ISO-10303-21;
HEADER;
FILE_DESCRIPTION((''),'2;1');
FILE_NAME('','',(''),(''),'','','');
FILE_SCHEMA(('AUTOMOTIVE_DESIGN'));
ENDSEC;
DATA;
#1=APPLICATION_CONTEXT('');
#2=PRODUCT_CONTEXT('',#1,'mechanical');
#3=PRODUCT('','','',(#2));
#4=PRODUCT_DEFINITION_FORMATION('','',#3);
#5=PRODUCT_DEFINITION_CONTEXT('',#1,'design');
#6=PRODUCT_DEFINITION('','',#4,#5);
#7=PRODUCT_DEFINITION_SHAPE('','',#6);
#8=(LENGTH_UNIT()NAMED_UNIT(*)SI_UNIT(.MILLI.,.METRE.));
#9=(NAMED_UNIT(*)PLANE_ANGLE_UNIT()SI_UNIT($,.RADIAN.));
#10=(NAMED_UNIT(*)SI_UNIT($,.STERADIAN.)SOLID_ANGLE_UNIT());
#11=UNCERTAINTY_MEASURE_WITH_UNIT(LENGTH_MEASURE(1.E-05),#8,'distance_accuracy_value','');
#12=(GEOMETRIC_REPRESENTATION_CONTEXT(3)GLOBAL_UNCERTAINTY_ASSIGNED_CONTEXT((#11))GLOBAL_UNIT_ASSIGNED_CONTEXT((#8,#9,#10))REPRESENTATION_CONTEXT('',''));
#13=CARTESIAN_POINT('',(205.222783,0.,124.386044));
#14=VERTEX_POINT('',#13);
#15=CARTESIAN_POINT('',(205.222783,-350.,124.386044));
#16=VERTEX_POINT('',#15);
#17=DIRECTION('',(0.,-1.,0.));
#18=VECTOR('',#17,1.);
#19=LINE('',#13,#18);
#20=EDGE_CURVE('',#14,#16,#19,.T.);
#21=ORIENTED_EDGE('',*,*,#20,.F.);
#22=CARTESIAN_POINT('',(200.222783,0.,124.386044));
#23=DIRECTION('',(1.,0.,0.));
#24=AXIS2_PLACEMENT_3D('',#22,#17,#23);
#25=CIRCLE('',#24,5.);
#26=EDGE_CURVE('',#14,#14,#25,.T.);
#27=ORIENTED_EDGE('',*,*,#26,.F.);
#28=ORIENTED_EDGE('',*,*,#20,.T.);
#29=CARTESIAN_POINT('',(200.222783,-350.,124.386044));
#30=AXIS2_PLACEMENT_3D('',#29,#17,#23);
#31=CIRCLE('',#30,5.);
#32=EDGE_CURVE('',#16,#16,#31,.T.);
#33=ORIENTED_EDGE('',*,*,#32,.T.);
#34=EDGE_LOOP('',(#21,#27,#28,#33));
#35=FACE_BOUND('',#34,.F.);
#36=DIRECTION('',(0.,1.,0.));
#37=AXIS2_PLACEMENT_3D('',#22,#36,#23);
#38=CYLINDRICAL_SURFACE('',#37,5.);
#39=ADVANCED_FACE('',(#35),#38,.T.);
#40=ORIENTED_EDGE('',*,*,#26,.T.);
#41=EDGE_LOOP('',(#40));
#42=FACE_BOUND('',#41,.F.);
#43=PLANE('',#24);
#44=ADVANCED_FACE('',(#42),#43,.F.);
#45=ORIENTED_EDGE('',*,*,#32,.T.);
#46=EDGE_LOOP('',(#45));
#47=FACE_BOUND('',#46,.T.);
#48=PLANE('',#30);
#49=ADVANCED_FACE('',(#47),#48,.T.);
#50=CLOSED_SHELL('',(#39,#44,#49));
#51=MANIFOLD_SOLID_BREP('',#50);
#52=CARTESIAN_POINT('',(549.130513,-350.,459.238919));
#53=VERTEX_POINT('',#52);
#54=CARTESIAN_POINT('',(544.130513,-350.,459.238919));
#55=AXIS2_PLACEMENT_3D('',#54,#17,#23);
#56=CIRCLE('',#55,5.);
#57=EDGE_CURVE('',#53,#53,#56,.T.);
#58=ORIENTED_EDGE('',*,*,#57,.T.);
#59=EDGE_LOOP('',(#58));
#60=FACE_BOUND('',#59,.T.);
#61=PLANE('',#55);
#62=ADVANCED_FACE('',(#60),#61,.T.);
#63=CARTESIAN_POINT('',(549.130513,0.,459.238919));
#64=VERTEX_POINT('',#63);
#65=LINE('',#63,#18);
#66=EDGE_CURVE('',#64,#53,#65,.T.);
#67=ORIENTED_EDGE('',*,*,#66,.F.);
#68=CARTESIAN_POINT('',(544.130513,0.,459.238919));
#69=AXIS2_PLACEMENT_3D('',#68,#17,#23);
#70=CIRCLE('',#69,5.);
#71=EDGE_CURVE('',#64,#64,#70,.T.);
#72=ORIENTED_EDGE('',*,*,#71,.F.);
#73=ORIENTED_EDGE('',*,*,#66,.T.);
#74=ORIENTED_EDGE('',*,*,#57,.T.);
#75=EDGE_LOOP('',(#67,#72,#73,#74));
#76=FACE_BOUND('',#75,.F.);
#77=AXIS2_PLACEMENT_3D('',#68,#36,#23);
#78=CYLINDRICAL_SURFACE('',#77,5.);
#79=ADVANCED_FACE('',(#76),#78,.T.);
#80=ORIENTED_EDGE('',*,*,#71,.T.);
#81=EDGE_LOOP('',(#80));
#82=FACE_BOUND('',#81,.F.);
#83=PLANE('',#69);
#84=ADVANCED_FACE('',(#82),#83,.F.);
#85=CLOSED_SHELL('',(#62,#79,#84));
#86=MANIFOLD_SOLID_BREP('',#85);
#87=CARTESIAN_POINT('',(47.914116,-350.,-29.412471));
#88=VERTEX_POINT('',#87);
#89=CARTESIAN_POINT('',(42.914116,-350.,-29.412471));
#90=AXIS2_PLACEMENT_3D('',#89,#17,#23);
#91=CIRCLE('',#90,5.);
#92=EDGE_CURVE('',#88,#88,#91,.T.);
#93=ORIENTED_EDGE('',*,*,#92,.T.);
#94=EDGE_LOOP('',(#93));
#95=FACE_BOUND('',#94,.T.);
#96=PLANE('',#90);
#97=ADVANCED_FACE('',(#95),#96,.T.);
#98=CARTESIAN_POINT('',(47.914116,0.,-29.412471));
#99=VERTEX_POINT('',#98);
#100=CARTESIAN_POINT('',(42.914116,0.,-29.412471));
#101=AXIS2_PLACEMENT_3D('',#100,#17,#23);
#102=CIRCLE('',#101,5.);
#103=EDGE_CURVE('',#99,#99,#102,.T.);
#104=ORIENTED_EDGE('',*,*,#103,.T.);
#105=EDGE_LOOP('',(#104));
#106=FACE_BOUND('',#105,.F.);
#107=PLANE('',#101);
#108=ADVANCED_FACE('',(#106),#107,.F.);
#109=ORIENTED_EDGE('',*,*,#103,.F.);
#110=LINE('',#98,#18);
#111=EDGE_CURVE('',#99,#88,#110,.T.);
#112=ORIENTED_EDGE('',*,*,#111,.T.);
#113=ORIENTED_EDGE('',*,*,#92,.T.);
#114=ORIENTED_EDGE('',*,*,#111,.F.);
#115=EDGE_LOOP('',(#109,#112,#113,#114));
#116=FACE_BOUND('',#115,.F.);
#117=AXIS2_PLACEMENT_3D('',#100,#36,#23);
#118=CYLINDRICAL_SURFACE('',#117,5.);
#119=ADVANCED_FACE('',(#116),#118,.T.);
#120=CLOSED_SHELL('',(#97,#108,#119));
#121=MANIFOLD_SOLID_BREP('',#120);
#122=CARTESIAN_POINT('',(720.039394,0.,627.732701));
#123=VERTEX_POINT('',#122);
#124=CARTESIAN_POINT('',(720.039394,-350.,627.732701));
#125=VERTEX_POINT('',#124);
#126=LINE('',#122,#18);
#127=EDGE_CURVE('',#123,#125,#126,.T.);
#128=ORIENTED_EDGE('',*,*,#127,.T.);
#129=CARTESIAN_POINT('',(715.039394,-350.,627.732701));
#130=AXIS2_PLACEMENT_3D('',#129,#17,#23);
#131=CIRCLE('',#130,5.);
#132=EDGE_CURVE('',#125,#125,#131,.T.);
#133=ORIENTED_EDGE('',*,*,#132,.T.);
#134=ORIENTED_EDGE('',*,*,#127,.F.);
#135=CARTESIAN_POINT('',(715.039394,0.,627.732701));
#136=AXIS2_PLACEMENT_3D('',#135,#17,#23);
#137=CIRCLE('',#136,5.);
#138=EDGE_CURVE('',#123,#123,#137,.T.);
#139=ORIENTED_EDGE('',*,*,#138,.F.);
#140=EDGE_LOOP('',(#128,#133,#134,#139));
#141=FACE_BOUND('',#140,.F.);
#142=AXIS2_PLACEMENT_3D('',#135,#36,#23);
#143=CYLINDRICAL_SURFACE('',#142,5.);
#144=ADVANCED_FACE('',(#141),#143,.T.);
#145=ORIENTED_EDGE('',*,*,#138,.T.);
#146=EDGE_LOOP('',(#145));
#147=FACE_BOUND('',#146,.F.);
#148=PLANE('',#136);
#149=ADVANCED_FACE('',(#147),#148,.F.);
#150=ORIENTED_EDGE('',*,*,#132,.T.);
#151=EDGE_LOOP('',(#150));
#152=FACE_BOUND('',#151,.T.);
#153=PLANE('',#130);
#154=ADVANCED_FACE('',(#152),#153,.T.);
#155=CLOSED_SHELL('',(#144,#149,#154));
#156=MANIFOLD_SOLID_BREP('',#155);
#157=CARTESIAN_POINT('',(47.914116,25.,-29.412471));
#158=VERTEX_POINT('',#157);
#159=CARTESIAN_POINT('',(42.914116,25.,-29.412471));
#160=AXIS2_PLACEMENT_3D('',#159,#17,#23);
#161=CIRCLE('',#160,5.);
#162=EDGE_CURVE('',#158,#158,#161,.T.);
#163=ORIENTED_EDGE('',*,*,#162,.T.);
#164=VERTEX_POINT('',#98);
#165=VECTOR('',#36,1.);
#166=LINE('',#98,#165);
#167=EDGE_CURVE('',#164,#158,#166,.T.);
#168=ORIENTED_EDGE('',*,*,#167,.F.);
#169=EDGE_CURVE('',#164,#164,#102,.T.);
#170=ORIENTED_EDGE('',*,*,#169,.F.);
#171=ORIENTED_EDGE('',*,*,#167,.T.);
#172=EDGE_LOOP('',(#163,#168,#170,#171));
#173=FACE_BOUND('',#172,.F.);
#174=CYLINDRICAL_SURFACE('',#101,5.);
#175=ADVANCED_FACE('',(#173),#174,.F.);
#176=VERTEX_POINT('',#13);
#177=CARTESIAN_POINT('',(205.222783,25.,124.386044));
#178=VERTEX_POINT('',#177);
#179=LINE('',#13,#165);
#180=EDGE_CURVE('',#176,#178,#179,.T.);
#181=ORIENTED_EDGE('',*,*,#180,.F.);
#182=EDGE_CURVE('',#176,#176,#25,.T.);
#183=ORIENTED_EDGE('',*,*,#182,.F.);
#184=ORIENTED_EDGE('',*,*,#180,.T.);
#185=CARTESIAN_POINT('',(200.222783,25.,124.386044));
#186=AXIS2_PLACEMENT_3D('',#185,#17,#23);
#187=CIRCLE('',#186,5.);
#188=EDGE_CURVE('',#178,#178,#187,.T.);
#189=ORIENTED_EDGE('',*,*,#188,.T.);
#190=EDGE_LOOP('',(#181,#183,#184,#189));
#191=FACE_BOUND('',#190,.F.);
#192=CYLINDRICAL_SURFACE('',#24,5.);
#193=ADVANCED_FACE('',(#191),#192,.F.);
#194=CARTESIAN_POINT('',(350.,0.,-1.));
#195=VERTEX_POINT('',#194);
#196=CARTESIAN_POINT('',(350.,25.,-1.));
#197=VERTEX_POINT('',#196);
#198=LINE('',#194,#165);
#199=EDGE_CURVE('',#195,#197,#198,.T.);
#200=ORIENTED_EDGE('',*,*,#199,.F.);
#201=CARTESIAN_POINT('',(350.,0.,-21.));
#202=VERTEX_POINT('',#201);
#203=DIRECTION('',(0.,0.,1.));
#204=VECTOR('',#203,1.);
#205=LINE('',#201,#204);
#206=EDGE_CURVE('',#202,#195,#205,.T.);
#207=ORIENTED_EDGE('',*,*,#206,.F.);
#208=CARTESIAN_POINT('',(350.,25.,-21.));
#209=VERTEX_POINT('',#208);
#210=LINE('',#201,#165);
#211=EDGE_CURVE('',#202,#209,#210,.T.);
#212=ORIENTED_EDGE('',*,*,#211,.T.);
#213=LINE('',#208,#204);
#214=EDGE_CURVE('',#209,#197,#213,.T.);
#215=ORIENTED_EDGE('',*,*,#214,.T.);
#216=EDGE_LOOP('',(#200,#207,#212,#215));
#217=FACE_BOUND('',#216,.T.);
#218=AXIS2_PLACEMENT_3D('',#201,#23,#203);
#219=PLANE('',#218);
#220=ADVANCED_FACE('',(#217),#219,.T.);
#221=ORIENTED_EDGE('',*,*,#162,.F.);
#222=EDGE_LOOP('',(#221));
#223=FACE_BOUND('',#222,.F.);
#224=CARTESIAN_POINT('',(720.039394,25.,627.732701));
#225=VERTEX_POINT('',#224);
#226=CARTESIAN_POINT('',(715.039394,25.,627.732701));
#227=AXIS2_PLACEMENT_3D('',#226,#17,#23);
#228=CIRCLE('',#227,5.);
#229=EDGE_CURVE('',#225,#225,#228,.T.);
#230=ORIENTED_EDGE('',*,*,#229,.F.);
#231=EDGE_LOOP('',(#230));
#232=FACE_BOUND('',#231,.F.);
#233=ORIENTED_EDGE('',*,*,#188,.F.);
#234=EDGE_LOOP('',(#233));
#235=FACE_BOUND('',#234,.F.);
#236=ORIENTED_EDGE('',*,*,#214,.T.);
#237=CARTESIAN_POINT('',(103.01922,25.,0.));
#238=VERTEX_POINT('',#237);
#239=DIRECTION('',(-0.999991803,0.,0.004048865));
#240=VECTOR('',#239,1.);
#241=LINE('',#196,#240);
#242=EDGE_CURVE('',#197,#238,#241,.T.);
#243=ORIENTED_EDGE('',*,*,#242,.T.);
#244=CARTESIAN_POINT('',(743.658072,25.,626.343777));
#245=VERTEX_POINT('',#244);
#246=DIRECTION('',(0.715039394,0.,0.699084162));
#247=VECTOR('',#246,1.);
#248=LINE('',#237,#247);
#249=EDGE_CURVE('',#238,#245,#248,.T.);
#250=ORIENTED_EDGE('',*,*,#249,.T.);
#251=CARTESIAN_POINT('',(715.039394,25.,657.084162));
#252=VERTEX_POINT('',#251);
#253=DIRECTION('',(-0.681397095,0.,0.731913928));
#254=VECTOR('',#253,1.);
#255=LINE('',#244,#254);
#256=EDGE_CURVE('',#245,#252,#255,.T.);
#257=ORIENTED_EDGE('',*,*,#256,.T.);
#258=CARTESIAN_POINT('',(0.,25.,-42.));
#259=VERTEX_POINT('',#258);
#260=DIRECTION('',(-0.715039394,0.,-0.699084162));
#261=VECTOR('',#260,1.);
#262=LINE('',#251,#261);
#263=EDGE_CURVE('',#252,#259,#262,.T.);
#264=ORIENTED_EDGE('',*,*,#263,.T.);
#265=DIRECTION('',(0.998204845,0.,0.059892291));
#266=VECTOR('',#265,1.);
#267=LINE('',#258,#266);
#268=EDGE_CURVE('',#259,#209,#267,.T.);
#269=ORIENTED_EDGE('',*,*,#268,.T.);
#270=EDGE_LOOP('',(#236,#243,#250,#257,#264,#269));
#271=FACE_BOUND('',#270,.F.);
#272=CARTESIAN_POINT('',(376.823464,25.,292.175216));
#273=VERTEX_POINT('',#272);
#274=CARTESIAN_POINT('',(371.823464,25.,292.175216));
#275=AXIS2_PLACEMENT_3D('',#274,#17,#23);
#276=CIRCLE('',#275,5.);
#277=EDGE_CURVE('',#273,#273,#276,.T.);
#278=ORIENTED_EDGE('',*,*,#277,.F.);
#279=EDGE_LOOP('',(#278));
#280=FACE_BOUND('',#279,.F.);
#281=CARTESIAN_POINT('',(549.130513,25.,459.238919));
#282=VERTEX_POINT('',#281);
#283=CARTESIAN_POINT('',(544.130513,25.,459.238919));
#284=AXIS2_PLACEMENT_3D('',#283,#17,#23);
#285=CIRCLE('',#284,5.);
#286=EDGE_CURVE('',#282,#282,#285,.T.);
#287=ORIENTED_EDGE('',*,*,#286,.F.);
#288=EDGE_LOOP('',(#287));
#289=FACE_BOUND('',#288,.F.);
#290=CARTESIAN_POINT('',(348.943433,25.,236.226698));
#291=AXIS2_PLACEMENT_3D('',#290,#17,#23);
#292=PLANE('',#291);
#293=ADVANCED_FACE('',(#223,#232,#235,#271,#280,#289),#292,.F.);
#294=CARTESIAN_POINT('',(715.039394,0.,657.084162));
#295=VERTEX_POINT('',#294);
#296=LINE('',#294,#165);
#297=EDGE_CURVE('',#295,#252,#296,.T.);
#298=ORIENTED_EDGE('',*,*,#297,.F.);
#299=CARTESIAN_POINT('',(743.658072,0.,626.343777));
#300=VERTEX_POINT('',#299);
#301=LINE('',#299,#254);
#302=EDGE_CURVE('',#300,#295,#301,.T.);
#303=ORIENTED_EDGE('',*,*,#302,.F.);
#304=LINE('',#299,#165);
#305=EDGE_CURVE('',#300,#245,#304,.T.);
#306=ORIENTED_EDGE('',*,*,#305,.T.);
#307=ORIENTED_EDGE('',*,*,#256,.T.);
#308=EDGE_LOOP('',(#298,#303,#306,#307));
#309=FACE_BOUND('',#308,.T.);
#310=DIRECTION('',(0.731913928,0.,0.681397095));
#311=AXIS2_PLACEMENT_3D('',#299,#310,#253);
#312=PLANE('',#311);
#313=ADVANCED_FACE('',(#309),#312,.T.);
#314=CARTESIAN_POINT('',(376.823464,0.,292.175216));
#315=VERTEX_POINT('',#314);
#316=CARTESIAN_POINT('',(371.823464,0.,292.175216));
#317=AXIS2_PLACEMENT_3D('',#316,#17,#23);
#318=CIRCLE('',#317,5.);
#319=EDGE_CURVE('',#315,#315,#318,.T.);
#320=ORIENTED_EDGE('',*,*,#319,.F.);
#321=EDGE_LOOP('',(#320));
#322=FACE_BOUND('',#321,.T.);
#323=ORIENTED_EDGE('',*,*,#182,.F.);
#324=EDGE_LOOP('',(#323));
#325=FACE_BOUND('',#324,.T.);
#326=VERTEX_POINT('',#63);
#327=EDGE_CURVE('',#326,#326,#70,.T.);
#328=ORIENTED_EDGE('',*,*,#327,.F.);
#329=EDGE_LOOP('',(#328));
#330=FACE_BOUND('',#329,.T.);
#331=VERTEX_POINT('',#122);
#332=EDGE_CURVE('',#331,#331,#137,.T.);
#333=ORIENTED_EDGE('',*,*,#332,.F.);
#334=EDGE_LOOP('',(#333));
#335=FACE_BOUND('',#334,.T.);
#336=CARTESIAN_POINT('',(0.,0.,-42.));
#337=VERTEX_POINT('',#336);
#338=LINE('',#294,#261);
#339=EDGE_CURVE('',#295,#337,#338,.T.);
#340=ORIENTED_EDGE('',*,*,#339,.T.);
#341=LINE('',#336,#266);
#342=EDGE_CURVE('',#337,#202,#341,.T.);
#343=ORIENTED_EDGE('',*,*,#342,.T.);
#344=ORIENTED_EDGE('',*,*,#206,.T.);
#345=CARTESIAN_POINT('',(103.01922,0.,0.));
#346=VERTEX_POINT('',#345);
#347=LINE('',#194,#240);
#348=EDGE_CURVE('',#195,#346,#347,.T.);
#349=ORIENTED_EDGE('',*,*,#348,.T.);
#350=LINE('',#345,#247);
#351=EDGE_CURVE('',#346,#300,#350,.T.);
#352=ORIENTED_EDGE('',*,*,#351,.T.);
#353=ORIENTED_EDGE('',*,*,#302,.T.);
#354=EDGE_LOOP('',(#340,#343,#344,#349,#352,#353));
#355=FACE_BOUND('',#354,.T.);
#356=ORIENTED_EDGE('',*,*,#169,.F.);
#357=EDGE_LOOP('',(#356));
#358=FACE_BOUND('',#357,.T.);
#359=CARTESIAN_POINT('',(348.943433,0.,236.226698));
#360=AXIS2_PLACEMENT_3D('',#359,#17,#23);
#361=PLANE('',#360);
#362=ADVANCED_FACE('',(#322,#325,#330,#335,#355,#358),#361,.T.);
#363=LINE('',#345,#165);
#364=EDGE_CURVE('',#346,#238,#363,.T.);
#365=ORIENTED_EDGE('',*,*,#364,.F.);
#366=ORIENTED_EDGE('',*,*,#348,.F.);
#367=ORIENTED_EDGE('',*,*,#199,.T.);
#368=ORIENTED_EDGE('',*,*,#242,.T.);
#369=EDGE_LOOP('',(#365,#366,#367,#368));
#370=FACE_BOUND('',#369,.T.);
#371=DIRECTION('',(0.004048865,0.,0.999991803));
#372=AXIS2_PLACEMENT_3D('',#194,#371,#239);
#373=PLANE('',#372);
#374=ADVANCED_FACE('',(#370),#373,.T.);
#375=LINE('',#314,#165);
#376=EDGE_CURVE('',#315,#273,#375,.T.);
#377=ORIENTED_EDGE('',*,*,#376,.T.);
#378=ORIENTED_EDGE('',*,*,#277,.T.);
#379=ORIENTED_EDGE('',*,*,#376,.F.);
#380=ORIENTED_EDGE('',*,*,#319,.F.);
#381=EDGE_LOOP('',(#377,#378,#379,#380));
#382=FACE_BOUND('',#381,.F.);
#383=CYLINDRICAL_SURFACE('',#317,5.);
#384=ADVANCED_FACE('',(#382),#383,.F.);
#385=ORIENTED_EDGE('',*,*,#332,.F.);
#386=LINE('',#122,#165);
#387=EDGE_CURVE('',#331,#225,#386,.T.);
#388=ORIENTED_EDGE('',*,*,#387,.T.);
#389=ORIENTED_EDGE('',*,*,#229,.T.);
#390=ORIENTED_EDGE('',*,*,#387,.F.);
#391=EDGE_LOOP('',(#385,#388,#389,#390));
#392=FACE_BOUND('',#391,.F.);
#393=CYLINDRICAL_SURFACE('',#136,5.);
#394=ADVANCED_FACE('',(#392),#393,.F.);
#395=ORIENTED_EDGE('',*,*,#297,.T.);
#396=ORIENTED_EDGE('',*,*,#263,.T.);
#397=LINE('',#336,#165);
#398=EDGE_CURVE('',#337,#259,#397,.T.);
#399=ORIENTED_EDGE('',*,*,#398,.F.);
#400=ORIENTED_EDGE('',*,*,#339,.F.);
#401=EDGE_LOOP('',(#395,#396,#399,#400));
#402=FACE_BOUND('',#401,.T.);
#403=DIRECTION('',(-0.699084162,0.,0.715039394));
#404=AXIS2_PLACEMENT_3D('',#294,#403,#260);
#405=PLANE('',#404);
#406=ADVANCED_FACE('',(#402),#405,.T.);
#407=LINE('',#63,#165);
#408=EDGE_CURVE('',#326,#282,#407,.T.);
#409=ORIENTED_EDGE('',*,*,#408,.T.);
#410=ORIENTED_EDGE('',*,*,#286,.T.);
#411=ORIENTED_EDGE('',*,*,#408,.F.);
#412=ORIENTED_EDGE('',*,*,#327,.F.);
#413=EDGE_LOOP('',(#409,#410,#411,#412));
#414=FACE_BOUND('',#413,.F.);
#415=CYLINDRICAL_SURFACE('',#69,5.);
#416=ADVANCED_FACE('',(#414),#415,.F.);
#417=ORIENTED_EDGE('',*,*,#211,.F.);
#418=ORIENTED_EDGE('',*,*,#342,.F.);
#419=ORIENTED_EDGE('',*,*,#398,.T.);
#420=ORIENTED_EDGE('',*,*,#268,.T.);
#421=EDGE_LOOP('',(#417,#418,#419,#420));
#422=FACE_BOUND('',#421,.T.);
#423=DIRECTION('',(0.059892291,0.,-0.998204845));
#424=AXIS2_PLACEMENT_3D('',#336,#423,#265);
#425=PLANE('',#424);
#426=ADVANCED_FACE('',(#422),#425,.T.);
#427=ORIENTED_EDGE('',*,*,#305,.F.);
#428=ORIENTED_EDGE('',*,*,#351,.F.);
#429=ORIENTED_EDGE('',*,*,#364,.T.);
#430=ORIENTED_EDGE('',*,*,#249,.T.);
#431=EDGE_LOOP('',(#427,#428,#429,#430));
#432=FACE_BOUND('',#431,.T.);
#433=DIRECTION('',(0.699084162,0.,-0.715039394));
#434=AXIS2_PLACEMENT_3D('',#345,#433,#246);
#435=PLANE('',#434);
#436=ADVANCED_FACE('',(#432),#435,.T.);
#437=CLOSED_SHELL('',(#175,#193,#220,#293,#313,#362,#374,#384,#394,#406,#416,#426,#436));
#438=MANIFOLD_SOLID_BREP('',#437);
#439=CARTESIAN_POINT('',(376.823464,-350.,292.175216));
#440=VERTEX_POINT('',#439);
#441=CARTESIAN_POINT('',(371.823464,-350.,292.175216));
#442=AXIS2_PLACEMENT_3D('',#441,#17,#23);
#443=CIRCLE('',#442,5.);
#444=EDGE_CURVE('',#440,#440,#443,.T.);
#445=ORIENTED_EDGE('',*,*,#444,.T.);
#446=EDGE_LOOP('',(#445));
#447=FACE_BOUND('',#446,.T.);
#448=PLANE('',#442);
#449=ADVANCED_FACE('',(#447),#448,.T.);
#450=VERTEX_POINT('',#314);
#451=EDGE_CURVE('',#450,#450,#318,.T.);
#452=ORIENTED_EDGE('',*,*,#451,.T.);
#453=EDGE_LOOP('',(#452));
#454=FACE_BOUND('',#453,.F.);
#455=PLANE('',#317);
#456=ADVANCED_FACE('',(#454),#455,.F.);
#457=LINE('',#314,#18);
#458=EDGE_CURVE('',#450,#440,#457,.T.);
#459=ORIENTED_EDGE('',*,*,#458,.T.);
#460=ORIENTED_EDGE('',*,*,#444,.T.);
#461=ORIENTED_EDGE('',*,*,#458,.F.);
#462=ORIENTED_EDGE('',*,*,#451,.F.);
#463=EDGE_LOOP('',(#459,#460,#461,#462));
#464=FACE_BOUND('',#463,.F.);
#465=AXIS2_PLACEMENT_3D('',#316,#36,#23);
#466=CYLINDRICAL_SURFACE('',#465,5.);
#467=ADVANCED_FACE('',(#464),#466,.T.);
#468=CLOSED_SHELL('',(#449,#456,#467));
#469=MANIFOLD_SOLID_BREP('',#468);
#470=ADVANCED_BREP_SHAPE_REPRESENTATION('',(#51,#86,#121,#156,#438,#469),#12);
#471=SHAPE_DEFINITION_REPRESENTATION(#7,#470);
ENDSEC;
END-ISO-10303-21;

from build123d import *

# Parameters (mm, degrees)
F0_R     = 5
F1_DEPTH = 350
F2_DEPTH = 25


with BuildPart() as f1:
    # F0 (on Front) → F1 (new body)
    with BuildSketch(Plane.XZ):
        with Locations((544.130513, 459.238919)):
            Circle(F0_R)
        with Locations((715.039394, 627.732701)):
            Circle(F0_R)
        with Locations((371.823464, 292.175216)):
            Circle(F0_R)
        with Locations((200.222783, 124.386044)):
            Circle(F0_R)
        with Locations((42.914116, -29.412471)):
            Circle(F0_R)
    extrude(amount=F1_DEPTH)


with BuildPart() as f2:
    # F0 (on Front) → F2 (new body)
    with BuildSketch(Plane.XZ):
        Polygon((743.658072, 626.343777), (715.039394, 657.084162), (0, -42), (350, -21), (350, -1), (103.01922, 0), align=None)
        with Locations((42.914116, -29.412471)):
            Circle(F0_R, mode=Mode.SUBTRACT)
        with Locations((200.222783, 124.386044)):
            Circle(F0_R, mode=Mode.SUBTRACT)
        with Locations((371.823464, 292.175216)):
            Circle(F0_R, mode=Mode.SUBTRACT)
        with Locations((544.130513, 459.238919)):
            Circle(F0_R, mode=Mode.SUBTRACT)
        with Locations((715.039394, 627.732701)):
            Circle(F0_R, mode=Mode.SUBTRACT)
    extrude(amount=-F2_DEPTH)


solid = Compound([f1.part, f2.part])
